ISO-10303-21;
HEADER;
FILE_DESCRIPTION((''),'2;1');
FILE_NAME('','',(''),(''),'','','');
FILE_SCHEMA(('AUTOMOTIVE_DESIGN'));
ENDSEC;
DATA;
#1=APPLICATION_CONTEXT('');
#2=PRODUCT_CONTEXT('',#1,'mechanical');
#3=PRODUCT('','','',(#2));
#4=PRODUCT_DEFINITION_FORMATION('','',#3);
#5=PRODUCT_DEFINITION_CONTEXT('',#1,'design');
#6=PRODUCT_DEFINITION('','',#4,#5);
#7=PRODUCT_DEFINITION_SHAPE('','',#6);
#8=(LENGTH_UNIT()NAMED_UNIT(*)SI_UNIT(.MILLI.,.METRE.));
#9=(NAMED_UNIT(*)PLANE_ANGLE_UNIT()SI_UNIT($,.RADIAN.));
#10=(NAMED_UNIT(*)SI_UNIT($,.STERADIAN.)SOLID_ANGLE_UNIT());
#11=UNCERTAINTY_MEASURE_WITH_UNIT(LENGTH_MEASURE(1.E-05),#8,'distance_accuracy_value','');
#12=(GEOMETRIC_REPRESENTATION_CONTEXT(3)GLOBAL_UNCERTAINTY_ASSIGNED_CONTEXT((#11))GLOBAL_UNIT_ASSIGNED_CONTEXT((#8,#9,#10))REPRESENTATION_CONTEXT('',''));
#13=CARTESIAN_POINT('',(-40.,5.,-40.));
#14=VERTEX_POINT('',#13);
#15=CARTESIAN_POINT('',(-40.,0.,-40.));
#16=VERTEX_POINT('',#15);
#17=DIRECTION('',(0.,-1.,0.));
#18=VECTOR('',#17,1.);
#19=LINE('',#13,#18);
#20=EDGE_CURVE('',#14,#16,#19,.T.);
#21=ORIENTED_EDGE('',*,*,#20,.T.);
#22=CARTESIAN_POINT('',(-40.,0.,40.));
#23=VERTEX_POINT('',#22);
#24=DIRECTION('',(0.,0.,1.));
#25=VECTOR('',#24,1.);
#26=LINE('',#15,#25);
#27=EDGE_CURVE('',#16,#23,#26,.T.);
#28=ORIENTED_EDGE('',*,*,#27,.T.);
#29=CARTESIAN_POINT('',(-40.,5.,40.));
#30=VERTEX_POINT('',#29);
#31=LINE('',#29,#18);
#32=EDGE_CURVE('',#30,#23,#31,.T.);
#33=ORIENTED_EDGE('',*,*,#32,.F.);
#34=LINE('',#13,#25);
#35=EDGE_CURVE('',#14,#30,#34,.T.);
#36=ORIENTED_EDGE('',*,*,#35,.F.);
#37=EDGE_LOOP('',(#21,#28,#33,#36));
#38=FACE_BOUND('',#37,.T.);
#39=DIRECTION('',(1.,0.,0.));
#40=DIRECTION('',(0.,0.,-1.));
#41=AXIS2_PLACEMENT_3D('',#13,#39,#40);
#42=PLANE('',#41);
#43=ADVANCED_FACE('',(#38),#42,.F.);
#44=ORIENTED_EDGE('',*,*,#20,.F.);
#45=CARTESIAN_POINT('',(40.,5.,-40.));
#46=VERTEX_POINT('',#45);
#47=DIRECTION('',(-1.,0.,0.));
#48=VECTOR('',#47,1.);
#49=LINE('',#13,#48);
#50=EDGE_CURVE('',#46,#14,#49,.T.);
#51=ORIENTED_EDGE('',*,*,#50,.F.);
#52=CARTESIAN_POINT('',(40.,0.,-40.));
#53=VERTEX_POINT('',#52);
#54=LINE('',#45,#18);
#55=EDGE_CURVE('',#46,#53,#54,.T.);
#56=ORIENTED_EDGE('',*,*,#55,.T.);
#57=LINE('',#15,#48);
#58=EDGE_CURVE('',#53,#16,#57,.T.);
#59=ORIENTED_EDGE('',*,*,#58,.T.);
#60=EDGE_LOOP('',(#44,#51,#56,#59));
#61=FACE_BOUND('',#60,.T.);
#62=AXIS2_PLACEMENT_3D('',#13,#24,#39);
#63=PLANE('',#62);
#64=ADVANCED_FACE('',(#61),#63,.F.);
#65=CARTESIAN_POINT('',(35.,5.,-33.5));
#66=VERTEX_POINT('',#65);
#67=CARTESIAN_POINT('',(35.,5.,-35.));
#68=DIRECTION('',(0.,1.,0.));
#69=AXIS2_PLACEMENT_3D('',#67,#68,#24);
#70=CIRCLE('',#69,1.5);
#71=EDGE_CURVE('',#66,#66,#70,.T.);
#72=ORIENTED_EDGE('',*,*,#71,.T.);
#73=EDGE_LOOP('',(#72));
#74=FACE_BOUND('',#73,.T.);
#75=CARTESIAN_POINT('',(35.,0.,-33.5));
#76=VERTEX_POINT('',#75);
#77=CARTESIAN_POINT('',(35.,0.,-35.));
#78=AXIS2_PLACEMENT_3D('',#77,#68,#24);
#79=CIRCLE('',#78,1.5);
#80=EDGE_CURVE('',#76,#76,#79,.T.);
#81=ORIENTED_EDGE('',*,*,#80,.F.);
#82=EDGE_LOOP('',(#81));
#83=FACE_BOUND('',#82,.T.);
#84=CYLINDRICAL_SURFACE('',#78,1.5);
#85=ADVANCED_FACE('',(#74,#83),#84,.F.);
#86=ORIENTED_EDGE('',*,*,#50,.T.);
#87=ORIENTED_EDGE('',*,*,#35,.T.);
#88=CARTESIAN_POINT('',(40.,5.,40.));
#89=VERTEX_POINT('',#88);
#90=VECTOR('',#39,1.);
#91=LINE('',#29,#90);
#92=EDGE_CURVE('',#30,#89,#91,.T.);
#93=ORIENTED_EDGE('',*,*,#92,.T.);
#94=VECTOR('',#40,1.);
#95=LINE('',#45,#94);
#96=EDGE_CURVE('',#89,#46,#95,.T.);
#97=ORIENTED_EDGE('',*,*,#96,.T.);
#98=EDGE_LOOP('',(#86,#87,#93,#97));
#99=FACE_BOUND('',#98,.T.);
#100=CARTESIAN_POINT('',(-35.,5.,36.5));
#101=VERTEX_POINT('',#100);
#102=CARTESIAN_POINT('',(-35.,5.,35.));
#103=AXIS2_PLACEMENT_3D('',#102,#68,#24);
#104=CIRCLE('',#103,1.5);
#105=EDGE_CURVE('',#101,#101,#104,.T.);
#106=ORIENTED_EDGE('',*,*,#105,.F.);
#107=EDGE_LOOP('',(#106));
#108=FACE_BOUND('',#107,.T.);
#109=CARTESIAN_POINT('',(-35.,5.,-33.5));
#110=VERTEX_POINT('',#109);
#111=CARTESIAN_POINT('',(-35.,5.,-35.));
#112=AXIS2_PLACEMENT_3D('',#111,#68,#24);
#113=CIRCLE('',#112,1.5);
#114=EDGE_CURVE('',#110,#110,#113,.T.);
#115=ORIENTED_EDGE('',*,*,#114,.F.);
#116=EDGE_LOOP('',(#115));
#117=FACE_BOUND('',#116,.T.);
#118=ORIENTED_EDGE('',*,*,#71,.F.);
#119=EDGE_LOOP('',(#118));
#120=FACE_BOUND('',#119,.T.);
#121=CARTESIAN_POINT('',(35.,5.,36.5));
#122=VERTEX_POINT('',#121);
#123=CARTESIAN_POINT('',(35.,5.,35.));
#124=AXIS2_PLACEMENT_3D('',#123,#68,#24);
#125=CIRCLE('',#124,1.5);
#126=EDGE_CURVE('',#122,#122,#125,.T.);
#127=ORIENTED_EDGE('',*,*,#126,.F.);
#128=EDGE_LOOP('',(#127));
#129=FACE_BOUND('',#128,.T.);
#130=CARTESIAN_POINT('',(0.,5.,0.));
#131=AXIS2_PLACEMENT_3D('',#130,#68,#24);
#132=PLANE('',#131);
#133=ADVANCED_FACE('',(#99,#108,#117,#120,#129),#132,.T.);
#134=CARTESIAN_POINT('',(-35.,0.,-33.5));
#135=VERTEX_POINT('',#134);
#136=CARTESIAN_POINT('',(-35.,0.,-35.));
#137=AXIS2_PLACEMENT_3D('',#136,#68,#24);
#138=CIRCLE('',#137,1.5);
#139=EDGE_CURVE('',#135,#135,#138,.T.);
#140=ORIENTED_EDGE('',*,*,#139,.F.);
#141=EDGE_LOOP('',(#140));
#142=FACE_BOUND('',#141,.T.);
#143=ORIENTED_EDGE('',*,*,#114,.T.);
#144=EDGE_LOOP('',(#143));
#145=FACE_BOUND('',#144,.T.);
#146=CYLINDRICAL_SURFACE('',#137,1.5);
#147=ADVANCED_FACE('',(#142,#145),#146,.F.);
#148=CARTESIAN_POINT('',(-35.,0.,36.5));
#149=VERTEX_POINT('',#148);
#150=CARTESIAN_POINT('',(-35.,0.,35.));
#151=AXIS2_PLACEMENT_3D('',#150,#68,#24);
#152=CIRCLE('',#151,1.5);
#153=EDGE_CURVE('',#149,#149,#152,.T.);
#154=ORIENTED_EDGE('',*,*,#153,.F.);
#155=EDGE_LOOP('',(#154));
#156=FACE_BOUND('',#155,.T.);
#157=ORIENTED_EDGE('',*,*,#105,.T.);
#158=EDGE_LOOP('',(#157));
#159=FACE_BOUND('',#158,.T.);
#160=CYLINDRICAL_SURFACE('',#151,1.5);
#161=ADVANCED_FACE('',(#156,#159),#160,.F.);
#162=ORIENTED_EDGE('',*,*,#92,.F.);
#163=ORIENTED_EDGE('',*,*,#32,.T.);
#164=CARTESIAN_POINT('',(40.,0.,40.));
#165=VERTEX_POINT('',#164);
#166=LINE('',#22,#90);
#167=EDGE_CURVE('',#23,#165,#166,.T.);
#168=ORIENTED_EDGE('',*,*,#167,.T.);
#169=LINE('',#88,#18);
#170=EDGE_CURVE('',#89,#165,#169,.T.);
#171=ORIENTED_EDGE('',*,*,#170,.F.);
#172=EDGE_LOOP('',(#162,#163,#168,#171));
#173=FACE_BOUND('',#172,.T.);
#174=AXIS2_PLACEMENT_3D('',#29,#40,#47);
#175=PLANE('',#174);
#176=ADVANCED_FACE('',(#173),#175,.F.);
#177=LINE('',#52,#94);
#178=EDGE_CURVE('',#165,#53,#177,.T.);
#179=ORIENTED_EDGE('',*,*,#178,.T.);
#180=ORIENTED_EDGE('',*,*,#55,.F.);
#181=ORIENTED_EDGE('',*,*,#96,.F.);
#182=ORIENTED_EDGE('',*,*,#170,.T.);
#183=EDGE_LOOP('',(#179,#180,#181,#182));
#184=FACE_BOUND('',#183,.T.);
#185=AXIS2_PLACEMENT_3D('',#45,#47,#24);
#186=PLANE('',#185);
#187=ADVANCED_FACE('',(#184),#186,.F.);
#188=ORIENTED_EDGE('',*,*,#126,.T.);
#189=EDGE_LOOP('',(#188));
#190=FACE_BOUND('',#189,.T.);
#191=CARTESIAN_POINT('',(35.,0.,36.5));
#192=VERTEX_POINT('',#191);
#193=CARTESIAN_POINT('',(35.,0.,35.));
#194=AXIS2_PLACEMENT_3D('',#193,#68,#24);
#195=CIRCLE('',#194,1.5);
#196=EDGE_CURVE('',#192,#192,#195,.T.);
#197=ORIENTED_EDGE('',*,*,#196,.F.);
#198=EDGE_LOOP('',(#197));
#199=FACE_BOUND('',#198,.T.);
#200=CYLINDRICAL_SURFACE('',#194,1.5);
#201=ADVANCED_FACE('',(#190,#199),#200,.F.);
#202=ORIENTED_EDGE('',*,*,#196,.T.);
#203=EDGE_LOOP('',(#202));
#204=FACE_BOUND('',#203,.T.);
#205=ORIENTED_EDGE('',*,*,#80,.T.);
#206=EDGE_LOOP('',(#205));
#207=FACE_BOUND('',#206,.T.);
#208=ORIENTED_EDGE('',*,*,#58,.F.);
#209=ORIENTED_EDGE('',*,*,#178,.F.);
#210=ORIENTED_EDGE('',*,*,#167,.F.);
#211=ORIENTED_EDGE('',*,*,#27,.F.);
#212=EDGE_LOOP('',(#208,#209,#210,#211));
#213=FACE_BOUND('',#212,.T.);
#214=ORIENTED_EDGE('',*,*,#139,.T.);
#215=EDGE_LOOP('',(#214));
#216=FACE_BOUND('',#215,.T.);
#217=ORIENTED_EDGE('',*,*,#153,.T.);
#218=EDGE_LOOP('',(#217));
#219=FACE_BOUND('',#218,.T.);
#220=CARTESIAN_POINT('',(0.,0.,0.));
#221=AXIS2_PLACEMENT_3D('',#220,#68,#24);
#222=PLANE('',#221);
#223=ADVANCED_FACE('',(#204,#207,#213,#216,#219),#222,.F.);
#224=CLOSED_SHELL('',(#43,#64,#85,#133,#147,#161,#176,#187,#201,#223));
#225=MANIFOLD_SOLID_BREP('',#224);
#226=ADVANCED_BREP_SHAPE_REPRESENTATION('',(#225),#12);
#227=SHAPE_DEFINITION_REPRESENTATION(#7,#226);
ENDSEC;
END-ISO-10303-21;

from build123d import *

# Parameters (mm, degrees)
ESQUISSE1_W             = 80
ESQUISSE1_H             = 80
BOSS_EXTRU_1_DEPTH      = 5
ESQUISSE2_R             = 1.5
ENL_V_MAT_EXTRU_1_DEPTH = 57.789083458


with BuildPart() as part:
    # Esquisse1 → Boss.-Extru.1 (new body)
    with BuildSketch(Plane(origin=(0, 0, 0), x_dir=(1, 0, 0), z_dir=(0, 1, 0))):
        Rectangle(ESQUISSE1_W, ESQUISSE1_H)
    extrude(amount=BOSS_EXTRU_1_DEPTH)

    # Esquisse2 → Enlèv. mat.-Extru.1 (cut, through all)
    with BuildSketch(Plane(origin=(0, 5, 0), x_dir=(1, 0, 0), z_dir=(0, 1, 0))):
        with Locations(Location((-35, 35, 0), (0, 0, 270))):
            Circle(ESQUISSE2_R)
        with Locations(Location((35, -35, 0), (0, 0, 270))):
            Circle(ESQUISSE2_R)
        with Locations(Location((-35, -35, 0), (0, 0, 270))):
            Circle(ESQUISSE2_R)
        with Locations(Location((35, 35, 0), (0, 0, 270))):
            Circle(ESQUISSE2_R)
    extrude(amount=-ENL_V_MAT_EXTRU_1_DEPTH, mode=Mode.SUBTRACT)


solid = part.part
